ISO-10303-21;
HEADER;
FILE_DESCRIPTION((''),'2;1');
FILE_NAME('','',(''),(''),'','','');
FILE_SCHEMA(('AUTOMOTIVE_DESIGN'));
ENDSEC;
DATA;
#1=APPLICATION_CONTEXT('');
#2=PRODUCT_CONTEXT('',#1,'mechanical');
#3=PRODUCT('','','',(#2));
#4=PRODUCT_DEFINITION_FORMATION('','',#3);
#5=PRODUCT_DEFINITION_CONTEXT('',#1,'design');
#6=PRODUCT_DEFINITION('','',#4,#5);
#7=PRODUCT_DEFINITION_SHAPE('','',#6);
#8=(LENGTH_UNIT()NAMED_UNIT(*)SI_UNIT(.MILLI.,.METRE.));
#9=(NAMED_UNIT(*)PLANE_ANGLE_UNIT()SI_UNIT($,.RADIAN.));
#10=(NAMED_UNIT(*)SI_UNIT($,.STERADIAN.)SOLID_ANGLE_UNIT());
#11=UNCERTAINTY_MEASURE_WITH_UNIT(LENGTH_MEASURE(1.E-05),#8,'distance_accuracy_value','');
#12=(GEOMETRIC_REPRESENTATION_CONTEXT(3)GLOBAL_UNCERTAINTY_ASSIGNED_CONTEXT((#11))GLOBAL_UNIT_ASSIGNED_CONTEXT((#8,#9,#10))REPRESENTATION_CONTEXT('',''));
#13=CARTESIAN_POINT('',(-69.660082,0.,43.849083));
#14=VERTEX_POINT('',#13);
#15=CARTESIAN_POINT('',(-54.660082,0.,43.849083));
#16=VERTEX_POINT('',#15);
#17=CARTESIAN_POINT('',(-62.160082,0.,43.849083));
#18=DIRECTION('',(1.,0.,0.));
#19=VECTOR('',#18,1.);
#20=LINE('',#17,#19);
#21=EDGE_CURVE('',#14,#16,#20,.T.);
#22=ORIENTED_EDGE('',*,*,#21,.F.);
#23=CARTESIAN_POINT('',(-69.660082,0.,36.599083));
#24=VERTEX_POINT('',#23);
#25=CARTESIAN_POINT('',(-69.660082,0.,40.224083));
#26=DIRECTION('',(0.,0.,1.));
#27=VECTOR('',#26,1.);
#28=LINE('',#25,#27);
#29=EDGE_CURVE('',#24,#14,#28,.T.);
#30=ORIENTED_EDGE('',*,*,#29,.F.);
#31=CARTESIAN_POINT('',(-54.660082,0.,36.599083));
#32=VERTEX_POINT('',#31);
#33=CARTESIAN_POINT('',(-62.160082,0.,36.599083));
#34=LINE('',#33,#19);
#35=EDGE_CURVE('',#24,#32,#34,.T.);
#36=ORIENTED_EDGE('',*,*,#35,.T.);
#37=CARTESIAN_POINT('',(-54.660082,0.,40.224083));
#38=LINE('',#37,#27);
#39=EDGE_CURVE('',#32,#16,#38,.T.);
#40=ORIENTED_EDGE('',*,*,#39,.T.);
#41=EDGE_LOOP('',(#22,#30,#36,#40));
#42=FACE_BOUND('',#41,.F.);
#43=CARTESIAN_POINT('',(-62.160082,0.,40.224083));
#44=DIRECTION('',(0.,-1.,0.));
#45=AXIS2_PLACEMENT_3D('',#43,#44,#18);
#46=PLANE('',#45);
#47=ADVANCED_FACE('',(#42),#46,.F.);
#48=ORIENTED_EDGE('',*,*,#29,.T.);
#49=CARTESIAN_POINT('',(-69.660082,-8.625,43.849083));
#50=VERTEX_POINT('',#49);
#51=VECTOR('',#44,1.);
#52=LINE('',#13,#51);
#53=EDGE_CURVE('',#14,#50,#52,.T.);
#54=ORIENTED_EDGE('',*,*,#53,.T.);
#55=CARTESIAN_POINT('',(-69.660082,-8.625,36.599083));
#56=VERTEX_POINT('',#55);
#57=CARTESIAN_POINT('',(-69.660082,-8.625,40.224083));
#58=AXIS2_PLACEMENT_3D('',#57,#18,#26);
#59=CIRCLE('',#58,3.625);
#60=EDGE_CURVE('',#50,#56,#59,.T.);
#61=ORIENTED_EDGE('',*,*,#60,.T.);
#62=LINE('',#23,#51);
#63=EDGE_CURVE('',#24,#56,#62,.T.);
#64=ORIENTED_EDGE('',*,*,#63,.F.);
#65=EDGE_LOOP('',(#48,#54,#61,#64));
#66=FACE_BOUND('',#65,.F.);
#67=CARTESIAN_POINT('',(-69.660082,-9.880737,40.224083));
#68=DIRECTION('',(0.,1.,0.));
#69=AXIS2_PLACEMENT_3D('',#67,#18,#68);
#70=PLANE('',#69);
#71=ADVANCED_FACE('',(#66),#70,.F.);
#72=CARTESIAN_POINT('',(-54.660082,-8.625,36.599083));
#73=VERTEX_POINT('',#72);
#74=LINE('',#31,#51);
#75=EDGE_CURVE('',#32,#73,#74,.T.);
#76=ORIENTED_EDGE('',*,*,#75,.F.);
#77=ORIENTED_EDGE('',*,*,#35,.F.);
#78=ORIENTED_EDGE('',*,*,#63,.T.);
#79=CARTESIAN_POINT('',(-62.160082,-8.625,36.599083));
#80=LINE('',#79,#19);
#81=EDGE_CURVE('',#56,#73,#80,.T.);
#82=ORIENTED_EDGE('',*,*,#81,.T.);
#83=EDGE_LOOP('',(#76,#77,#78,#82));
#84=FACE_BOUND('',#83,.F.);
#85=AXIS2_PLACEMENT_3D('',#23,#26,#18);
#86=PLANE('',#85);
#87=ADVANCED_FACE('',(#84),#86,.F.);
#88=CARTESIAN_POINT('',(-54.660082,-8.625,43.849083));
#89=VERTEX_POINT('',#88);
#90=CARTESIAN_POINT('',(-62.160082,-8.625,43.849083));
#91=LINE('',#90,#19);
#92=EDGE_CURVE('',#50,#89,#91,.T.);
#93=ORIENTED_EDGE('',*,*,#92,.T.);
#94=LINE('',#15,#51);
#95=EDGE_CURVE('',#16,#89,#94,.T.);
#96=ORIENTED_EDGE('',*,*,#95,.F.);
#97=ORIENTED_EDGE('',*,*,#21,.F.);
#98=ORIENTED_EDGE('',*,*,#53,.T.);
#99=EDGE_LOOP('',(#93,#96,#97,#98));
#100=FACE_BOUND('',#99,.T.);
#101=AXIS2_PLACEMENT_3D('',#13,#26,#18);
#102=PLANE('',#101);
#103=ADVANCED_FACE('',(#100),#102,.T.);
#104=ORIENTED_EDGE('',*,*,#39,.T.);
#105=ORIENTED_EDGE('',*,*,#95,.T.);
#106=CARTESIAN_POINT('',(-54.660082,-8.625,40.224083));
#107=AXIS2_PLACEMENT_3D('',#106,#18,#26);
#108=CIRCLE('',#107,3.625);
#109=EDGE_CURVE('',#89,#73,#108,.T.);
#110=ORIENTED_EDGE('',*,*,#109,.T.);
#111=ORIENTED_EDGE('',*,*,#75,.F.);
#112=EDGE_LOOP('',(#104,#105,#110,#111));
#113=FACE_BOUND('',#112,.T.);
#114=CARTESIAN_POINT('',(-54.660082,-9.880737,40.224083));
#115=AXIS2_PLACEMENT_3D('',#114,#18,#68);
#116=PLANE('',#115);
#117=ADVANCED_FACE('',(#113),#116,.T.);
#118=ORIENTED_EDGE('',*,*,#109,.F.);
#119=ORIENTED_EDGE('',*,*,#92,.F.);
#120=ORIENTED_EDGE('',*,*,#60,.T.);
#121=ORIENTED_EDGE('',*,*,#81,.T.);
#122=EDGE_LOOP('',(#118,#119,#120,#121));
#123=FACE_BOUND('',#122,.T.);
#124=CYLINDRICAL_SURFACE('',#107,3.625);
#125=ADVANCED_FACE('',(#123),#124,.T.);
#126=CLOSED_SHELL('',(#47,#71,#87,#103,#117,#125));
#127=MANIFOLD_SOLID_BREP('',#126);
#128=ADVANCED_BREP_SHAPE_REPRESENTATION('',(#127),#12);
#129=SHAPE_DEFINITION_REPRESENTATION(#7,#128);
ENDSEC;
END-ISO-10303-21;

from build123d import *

# Parameters (mm, degrees)
F0_W     = 15
F0_H     = 7.25
F1_DEPTH = 8.625
F3_DEPTH = 15


with BuildPart() as f1:
    # F0 (on Front) → F1 (new body)
    with BuildSketch(Plane.XZ):
        with Locations((-62.160082, 40.224083)):
            Rectangle(F0_W, F0_H)
    extrude(amount=F1_DEPTH)

    # F2 (on face) → F3 (join)
    with BuildSketch(Plane.YZ.offset(-54.660082)):
        with BuildLine():
            Line((-8.625, 36.599083), (-8.625, 43.849083))
            ThreePointArc((-8.625, 43.849083), (-12.25, 40.224083), (-8.625, 36.599083))
        make_face()
    extrude(amount=-F3_DEPTH)


solid = f1.part
